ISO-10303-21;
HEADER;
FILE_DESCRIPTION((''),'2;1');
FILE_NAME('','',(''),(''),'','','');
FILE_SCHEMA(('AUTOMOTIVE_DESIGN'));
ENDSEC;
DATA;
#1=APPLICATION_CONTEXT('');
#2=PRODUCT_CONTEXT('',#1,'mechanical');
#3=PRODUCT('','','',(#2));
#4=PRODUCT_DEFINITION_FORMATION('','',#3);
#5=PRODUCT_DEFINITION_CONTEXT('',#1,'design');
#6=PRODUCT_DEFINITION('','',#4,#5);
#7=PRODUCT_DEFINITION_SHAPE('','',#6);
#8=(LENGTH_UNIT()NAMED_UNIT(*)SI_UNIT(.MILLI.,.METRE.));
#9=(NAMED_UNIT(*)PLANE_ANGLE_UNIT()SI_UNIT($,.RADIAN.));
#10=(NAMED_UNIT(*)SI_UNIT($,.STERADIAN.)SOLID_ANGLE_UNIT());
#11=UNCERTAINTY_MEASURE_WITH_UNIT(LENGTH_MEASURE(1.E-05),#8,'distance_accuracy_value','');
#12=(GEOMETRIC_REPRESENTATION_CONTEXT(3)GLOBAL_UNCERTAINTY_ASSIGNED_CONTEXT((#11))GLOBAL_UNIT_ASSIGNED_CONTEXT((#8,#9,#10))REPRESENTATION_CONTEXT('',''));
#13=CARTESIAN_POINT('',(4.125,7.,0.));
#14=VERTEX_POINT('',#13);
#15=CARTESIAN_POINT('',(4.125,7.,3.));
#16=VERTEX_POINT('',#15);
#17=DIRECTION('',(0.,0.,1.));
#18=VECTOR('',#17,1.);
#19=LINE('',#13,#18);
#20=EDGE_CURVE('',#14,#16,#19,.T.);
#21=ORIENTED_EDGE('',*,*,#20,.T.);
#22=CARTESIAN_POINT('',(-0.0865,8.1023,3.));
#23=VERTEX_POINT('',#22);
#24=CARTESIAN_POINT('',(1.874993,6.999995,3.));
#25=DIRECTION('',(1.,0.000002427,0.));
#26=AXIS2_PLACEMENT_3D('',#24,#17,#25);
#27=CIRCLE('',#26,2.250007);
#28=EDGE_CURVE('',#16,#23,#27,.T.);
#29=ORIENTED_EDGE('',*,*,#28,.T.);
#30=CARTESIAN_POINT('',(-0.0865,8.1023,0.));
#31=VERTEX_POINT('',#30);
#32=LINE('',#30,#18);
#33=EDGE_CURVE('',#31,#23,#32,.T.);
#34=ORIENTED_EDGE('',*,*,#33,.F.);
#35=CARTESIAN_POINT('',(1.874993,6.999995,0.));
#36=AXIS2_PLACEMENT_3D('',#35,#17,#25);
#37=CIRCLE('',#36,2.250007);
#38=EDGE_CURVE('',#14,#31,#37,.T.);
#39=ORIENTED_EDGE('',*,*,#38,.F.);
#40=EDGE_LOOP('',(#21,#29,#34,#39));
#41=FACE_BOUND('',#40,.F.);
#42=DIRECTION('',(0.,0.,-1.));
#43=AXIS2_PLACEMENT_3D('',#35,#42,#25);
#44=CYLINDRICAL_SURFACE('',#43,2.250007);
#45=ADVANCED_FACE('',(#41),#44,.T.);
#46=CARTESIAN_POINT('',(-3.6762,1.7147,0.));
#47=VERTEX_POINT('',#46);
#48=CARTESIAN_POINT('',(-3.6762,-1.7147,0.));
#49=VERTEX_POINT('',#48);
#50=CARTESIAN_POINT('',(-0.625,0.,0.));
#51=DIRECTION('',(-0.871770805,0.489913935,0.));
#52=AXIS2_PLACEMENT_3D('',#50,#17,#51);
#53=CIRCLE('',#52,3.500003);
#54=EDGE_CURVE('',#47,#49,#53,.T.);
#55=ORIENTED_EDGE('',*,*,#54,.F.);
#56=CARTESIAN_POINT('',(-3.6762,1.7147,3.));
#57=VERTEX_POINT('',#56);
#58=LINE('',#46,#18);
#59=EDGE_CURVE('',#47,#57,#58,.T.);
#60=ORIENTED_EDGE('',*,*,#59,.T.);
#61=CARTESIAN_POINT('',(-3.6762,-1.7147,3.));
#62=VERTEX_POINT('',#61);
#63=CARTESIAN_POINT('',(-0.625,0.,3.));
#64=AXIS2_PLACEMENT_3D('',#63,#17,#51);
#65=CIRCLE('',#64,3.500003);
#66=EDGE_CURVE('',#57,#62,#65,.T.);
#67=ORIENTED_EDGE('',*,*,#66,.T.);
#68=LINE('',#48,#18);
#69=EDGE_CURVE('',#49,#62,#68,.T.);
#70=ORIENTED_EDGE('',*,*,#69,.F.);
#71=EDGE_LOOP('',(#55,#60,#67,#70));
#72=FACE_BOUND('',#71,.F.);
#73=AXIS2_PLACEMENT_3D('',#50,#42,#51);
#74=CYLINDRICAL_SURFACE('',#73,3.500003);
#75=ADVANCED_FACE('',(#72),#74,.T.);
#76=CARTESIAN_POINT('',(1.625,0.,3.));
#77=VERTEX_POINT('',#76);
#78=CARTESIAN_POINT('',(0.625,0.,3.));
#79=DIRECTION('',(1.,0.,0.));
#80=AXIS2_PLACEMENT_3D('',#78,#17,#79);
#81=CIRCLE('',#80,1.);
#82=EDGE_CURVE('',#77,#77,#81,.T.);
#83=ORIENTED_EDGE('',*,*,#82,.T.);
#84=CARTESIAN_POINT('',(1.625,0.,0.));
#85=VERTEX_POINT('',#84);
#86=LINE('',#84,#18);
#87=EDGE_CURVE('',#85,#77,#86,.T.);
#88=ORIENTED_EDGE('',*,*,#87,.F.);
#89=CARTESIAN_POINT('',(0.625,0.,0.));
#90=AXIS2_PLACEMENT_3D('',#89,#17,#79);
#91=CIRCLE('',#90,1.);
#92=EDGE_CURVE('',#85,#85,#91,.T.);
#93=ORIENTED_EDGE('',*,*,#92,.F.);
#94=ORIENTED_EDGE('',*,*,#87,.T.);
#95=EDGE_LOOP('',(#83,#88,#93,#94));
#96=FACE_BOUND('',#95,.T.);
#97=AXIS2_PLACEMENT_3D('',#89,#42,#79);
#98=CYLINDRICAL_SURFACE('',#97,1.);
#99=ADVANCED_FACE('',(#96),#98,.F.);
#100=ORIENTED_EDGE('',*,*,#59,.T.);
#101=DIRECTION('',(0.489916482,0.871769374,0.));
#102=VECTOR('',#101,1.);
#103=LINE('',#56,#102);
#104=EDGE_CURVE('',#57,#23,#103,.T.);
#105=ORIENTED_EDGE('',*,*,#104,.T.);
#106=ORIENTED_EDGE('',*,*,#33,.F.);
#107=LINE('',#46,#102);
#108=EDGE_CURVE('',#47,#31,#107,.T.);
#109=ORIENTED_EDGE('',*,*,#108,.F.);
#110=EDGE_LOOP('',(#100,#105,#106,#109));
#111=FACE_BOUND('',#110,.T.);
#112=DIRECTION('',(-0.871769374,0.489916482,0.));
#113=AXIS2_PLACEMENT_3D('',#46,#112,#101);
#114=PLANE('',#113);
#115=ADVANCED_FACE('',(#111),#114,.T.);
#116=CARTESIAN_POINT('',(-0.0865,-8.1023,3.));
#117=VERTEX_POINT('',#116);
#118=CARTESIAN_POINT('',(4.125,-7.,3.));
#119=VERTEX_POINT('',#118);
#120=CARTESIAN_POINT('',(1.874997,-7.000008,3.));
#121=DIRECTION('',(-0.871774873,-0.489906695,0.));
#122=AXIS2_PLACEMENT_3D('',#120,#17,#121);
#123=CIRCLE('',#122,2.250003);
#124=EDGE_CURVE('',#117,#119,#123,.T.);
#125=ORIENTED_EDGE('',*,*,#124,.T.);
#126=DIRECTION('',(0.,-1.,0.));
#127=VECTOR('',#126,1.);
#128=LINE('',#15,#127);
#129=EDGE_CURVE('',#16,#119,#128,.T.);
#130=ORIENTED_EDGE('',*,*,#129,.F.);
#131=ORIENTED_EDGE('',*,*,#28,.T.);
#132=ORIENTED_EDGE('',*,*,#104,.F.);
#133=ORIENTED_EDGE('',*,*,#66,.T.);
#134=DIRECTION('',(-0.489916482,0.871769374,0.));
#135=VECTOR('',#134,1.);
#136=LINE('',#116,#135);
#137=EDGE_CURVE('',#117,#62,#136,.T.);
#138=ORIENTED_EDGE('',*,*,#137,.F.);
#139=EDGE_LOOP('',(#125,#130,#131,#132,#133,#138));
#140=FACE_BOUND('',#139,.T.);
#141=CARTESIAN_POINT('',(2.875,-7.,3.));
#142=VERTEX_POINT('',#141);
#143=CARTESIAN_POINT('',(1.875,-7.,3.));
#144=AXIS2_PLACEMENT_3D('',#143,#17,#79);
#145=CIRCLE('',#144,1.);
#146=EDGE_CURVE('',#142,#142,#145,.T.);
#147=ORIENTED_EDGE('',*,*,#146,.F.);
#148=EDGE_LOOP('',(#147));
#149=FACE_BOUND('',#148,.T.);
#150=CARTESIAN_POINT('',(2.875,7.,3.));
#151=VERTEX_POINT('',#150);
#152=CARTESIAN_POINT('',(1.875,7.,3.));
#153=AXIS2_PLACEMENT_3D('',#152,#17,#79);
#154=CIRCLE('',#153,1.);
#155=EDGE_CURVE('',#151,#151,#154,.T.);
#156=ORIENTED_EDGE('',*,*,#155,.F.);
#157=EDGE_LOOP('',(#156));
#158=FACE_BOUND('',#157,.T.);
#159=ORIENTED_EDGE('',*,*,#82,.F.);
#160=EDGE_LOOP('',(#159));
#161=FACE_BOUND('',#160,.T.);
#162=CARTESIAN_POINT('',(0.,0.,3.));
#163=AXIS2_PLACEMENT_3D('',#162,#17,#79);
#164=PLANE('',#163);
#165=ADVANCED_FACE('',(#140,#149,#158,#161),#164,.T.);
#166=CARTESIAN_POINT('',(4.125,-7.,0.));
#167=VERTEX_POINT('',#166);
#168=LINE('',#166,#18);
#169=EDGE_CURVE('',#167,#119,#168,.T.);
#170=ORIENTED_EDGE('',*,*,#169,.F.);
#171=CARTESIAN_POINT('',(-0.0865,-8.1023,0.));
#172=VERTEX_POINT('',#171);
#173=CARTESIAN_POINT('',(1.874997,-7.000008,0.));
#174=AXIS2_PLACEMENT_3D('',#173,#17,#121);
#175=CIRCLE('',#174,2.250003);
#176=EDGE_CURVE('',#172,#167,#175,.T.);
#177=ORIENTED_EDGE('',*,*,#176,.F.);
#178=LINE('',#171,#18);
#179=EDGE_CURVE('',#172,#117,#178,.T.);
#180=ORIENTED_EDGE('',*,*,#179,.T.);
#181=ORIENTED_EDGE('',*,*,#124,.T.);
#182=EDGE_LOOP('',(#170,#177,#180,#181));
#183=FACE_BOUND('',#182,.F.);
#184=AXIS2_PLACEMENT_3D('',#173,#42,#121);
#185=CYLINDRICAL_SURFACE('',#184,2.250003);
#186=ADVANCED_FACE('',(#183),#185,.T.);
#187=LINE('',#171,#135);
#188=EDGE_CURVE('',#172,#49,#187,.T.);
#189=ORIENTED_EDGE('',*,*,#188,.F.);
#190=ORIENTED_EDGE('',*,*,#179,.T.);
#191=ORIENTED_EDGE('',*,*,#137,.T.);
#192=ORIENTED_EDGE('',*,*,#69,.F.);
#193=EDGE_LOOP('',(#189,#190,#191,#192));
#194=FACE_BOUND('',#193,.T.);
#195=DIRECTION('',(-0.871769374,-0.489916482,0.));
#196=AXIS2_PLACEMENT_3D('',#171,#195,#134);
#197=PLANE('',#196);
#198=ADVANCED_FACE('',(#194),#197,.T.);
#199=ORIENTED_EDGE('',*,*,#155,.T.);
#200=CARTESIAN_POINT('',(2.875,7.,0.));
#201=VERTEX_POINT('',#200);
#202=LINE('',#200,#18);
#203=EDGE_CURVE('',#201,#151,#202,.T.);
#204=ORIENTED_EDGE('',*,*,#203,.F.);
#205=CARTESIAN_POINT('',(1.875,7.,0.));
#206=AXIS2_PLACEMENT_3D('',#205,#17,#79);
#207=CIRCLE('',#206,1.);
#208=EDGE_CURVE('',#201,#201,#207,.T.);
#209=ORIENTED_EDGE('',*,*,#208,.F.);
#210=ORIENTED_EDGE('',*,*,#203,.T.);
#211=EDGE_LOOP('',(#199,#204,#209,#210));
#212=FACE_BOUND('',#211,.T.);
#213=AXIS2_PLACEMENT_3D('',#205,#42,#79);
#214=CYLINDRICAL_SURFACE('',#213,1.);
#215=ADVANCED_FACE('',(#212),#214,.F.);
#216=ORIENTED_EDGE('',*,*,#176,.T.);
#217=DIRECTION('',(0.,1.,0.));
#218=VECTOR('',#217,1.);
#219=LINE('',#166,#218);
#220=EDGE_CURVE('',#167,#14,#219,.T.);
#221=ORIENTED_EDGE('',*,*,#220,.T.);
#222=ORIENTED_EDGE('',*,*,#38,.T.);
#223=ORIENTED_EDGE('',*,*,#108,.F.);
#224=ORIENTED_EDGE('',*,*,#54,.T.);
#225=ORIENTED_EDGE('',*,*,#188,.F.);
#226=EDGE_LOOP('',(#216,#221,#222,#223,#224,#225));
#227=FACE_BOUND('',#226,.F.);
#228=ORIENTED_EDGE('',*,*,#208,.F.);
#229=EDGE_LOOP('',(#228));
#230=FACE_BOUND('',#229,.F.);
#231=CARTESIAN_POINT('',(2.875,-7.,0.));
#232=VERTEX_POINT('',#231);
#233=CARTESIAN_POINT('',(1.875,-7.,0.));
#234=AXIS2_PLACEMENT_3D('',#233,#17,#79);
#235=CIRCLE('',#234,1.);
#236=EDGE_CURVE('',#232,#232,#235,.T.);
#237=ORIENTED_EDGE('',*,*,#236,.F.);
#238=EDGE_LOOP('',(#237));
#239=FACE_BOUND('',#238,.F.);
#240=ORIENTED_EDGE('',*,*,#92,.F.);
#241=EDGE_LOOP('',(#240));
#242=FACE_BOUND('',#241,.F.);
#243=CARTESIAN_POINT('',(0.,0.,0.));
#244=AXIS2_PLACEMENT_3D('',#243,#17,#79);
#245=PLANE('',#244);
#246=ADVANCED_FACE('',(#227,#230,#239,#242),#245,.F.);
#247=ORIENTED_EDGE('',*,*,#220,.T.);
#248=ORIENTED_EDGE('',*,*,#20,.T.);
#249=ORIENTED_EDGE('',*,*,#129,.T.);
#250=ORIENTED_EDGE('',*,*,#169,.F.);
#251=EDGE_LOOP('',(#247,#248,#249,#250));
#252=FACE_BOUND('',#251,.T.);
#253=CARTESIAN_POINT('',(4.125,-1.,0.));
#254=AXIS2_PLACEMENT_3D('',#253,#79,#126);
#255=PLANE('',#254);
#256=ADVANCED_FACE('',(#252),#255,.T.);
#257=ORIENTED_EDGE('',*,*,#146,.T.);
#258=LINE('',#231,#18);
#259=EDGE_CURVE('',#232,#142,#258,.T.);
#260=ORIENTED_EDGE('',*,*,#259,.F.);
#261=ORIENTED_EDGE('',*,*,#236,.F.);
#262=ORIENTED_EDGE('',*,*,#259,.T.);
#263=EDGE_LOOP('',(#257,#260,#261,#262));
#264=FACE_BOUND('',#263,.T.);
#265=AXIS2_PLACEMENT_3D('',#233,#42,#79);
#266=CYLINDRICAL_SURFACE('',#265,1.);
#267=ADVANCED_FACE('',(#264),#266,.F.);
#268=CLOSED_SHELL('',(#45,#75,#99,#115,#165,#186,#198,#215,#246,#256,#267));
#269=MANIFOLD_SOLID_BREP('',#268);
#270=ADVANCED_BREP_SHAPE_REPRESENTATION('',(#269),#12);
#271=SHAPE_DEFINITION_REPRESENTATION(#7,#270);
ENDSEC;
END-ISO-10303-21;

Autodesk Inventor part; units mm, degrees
ref_plane "YZ Plane" through (0, 0, 0) normal (1, 0, 0) x (0, 1, 0)
ref_plane "XZ Plane" through (0, 0, 0) normal (0, 1, 0) x (-1, 0, 0)
ref_plane "XY Plane" through (0, 0, 0) normal (0, 0, 1) x (1, 0, 0)
sketch "Sketch1" plane through (0, 0, 0) normal (0, 0, 1) x (1, 0, 0)
  line L0 (0.625, 2.5) -> (2.625, 2.5) projected
  line L1 (4.125, 1) -> (2.625, 2.5) projected
  line L2 (4.125, 7) -> (4.125, 1) projected
  arc A0 (4.125, 7) -> (-0.0865, 8.1023) centre (1.875, 7) ccw projected
  line L3 (-3.6762, 1.7147) -> (-0.0865, 8.1023) projected
  arc A1 (-3.6762, 1.7147) -> (-3.6762, -1.7147) centre (-0.625, 0) ccw projected
  line L4 (-0.0865, -8.1023) -> (-3.6762, -1.7147) projected
  arc A2 (-0.0865, -8.1023) -> (4.125, -7) centre (1.875, -7) ccw projected
  line L5 (4.125, -1) -> (4.125, -7) projected
  line L6 (2.625, -2.5) -> (4.125, -1) projected
  line L7 (2.625, -2.5) -> (0.625, -2.5) projected
  arc A3 (0.625, 2.5) -> (0.625, -2.5) centre (0.625, 0) ccw projected
  circle A4 centre (1.875, 7) radius 1 projected
  circle A5 centre (1.875, -7) radius 1 projected
  circle A6 centre (0.625, 0) radius 1 projected
  line L8 (4.125, -1) -> (2.625, -2.5) projected
  line L9 (4.125, 1) -> (4.125, -1) projected
  line L10 (2.625, 2.5) -> (4.125, 1) projected
  line L11 (2.625, 2.5) -> (0.625, 2.5) projected
  arc A7 (0.625, 2.5) -> (0.625, -2.5) centre (0.625, 0) ccw projected
  line L12 (0.625, -2.5) -> (2.625, -2.5) projected
  point P0 (0, 0)
extrude "Extrusion1" add sketch "Sketch1" along normal blind 3
properties part number "belt_tender_2"
